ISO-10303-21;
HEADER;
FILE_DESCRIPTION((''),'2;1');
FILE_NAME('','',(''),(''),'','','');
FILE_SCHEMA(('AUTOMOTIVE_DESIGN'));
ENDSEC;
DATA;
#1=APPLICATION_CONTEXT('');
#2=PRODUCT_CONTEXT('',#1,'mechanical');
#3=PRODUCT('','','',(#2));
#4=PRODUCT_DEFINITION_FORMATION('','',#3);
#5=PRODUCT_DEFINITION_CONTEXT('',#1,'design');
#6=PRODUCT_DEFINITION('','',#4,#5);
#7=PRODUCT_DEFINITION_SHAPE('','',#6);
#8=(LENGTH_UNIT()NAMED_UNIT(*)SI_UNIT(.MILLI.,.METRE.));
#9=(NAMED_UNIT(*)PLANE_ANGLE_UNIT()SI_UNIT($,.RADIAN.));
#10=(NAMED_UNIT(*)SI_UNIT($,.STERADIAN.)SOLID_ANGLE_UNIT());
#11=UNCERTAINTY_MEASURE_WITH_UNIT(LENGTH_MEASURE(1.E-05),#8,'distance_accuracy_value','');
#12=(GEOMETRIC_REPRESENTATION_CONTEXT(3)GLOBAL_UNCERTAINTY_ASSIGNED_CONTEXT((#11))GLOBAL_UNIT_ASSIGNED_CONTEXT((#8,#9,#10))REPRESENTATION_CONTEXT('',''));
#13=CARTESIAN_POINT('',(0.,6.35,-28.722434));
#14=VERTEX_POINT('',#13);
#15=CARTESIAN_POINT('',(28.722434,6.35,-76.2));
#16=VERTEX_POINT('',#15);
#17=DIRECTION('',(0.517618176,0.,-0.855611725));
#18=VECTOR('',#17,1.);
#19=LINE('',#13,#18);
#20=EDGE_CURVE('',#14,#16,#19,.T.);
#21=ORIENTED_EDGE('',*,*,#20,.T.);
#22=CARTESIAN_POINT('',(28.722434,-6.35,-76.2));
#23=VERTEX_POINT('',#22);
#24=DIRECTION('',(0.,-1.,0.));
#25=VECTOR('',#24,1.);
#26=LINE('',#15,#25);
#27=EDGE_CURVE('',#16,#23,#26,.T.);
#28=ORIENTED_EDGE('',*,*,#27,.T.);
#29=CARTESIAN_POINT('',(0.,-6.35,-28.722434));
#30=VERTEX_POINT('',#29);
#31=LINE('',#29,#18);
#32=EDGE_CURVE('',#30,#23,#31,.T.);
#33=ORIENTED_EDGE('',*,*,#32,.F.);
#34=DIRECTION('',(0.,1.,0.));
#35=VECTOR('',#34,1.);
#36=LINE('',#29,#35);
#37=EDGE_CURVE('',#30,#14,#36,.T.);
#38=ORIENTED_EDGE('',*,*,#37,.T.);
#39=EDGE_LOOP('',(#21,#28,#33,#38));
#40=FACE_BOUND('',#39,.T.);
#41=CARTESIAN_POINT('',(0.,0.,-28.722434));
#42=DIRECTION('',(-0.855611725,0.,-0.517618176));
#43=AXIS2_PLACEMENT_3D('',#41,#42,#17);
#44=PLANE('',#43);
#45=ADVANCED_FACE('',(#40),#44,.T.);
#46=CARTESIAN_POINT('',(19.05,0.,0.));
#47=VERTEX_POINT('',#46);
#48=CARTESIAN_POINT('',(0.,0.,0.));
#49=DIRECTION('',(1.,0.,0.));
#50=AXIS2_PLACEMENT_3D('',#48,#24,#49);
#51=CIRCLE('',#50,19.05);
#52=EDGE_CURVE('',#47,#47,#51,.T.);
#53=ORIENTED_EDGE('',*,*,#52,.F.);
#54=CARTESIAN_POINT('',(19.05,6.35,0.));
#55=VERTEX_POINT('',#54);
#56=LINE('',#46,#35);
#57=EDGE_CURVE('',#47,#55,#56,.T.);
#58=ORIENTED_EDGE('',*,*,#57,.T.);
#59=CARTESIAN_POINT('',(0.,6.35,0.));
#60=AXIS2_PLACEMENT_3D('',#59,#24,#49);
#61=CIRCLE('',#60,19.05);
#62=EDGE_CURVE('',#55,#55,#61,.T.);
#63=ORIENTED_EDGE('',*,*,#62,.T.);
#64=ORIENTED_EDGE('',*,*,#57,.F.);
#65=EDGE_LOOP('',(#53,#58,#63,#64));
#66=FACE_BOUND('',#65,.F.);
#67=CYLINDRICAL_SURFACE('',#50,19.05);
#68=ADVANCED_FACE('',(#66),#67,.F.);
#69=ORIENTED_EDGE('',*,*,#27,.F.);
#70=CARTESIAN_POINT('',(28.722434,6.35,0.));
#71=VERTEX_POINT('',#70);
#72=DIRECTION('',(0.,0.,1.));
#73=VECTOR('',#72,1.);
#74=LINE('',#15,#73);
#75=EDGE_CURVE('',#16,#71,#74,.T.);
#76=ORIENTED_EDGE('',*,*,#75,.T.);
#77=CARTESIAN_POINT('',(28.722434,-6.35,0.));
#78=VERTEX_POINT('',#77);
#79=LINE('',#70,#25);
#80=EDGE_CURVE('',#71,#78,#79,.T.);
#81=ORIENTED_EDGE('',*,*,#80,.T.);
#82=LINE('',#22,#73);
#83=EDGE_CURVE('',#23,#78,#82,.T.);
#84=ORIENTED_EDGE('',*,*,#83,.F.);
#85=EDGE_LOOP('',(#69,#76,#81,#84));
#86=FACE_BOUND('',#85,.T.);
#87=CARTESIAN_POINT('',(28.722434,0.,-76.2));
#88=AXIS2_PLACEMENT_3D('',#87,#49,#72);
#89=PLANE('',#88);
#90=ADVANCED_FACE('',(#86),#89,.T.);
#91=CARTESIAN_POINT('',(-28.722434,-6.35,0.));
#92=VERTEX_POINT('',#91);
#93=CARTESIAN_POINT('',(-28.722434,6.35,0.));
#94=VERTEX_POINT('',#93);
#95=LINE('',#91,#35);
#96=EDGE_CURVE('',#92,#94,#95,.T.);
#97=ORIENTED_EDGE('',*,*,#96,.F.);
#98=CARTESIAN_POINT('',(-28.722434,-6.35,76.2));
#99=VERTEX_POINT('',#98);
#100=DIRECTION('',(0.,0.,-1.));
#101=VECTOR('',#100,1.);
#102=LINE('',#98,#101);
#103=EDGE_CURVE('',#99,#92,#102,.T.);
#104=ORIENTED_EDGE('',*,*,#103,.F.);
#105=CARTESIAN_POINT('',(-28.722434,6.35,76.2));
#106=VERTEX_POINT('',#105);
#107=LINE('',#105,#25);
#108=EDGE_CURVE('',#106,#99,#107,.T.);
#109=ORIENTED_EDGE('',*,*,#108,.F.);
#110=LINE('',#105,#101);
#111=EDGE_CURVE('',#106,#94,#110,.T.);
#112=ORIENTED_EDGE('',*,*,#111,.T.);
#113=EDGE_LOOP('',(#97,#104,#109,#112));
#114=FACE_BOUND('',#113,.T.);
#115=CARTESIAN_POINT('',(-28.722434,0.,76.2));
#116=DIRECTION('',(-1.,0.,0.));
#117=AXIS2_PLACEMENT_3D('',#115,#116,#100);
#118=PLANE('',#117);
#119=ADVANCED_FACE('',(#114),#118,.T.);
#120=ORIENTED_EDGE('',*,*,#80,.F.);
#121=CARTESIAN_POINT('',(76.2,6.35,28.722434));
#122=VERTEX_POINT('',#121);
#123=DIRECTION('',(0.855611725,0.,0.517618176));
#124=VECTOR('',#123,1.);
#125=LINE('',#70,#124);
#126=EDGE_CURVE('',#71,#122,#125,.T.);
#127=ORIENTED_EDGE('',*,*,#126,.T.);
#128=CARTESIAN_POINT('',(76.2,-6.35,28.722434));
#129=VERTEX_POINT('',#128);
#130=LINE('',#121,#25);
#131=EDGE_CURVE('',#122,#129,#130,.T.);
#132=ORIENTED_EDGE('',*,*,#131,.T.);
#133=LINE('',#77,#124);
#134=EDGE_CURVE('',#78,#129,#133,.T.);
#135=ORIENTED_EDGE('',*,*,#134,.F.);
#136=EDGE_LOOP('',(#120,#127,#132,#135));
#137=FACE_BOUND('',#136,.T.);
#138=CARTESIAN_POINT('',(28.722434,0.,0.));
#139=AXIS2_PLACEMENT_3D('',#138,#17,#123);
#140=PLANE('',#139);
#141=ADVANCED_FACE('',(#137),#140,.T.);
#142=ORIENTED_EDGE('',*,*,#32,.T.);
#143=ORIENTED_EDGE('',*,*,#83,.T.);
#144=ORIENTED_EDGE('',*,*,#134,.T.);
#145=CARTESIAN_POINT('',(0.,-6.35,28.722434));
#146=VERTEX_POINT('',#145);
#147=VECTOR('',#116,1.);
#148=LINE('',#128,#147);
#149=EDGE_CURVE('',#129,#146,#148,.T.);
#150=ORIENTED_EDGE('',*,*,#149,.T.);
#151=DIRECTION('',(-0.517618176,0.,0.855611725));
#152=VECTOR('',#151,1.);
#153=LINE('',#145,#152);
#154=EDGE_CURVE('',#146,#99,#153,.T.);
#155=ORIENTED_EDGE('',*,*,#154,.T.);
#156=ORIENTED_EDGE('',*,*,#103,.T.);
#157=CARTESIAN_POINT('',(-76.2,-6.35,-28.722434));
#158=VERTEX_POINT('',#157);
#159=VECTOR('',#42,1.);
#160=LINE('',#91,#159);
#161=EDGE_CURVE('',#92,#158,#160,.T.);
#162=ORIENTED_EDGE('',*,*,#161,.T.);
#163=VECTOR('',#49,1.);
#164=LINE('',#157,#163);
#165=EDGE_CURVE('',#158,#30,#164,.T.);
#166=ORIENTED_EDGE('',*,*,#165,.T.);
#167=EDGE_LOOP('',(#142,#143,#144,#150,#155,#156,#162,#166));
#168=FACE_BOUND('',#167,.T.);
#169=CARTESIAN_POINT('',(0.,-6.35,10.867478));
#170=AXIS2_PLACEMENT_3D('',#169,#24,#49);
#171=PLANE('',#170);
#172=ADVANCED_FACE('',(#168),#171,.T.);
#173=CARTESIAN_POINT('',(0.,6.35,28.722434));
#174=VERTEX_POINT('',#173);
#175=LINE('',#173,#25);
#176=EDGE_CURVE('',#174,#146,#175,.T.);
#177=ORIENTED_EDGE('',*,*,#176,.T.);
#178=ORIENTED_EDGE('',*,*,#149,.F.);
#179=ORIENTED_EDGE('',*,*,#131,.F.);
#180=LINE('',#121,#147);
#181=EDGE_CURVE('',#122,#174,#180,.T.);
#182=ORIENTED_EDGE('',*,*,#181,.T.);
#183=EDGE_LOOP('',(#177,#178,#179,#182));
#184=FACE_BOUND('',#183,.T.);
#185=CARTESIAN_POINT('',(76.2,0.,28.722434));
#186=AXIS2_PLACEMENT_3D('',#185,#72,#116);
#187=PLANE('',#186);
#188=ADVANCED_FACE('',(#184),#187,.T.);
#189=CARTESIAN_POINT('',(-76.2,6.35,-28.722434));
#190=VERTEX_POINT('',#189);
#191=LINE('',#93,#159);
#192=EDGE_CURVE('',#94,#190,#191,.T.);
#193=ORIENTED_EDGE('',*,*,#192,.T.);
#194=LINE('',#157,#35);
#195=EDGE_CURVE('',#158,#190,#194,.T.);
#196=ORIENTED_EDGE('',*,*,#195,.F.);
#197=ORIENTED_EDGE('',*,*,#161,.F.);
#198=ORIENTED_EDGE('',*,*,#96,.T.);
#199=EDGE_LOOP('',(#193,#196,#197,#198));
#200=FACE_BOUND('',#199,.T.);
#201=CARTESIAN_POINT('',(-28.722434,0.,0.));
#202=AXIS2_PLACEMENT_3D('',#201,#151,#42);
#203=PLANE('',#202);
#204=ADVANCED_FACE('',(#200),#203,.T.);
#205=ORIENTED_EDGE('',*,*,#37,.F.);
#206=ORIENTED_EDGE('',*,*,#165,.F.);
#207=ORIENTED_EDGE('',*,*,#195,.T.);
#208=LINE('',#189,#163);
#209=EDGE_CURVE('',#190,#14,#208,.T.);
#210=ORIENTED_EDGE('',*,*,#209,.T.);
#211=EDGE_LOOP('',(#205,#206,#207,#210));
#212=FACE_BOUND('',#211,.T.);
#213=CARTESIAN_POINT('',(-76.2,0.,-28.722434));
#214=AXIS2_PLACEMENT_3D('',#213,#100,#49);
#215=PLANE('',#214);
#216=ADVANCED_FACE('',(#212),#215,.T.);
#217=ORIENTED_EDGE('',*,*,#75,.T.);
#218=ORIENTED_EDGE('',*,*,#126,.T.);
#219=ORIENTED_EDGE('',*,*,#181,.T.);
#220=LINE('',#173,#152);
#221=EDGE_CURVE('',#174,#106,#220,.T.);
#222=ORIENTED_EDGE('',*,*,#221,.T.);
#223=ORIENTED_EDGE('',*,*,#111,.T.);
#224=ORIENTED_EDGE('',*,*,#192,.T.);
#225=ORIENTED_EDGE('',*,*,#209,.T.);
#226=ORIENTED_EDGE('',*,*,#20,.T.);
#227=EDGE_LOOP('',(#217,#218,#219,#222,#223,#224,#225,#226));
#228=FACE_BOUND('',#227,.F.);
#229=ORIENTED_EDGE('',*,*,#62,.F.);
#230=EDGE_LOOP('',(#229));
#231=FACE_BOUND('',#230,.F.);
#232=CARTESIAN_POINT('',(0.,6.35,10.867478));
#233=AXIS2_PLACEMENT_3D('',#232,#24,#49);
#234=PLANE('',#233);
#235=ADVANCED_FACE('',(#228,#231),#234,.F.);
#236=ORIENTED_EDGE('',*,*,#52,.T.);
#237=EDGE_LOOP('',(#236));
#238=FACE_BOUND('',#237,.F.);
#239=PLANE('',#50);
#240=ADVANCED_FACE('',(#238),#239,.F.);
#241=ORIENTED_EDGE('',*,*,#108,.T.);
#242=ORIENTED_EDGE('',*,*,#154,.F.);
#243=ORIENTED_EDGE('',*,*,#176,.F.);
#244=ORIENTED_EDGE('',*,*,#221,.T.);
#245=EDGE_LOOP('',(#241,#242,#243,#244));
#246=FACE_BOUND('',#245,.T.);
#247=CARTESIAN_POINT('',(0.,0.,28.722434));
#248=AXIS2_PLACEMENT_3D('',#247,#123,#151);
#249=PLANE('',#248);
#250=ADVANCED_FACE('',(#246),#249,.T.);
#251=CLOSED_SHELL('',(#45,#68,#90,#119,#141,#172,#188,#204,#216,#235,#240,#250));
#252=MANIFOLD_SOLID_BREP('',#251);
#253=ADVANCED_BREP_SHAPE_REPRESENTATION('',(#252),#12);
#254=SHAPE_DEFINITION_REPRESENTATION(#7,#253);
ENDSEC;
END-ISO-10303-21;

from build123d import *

# Parameters (mm, degrees)
F1_DEPTH = 6.35
F3_D     = 38.1
F3_DEPTH = 6.351


with BuildPart() as f1:
    # F0 (on Front) → F1 (new body, symmetric)
    with BuildSketch(Plane.XZ):
        with BuildLine():
            Line((-28.7224338679, 0), (28.7224338679, 0))
            ThreePointArc((28.7224338679, 0), (20.3098277602, 20.3098277602), (0, 28.7224338679))
            ThreePointArc((0, 28.7224338679), (-20.3098277602, 20.3098277602), (-28.7224338679, 0))
        make_face()
        with BuildLine():
            Line((28.7224338679, -76.2), (28.7224338679, 0))
            ThreePointArc((28.7224338679, 0), (20.3098277602, -20.3098277602), (0, -28.7224338679))
            Line((0, -28.7224338679), (28.7224338679, -76.2))
        make_face()
        with BuildLine():
            ThreePointArc((0, -28.7224338679), (20.3098277602, -20.3098277602), (28.7224338679, 0))
            Line((28.7224338679, 0), (-28.7224338679, 0))
            ThreePointArc((-28.7224338679, 0), (-20.3098277602, -20.3098277602), (0, -28.7224338679))
        make_face()
        with BuildLine():
            ThreePointArc((0, 28.7224338679), (20.3098277602, 20.3098277602), (28.7224338679, 0))
            Line((28.7224338679, 0), (76.2, 28.7224338679))
            Line((76.2, 28.7224338679), (0, 28.7224338679))
        make_face()
        with BuildLine():
            ThreePointArc((-28.7224338679, 0), (-20.3098277602, 20.3098277602), (0, 28.7224338679))
            Line((0, 28.7224338679), (-28.7224338679, 76.2))
            Line((-28.7224338679, 76.2), (-28.7224338679, 0))
        make_face()
        with BuildLine():
            Line((-76.2, -28.7224338679), (0, -28.7224338679))
            ThreePointArc((0, -28.7224338679), (-20.3098277602, -20.3098277602), (-28.7224338679, 0))
            Line((-28.7224338679, 0), (-76.2, -28.7224338679))
        make_face()
    extrude(amount=F1_DEPTH, both=True)

    # F3 (through all, one way)
    with BuildSketch(Plane.XZ):
        with Locations((0, 0)):
            Circle(F3_D / 2)
    extrude(amount=-F3_DEPTH, mode=Mode.SUBTRACT)


solid = f1.part
